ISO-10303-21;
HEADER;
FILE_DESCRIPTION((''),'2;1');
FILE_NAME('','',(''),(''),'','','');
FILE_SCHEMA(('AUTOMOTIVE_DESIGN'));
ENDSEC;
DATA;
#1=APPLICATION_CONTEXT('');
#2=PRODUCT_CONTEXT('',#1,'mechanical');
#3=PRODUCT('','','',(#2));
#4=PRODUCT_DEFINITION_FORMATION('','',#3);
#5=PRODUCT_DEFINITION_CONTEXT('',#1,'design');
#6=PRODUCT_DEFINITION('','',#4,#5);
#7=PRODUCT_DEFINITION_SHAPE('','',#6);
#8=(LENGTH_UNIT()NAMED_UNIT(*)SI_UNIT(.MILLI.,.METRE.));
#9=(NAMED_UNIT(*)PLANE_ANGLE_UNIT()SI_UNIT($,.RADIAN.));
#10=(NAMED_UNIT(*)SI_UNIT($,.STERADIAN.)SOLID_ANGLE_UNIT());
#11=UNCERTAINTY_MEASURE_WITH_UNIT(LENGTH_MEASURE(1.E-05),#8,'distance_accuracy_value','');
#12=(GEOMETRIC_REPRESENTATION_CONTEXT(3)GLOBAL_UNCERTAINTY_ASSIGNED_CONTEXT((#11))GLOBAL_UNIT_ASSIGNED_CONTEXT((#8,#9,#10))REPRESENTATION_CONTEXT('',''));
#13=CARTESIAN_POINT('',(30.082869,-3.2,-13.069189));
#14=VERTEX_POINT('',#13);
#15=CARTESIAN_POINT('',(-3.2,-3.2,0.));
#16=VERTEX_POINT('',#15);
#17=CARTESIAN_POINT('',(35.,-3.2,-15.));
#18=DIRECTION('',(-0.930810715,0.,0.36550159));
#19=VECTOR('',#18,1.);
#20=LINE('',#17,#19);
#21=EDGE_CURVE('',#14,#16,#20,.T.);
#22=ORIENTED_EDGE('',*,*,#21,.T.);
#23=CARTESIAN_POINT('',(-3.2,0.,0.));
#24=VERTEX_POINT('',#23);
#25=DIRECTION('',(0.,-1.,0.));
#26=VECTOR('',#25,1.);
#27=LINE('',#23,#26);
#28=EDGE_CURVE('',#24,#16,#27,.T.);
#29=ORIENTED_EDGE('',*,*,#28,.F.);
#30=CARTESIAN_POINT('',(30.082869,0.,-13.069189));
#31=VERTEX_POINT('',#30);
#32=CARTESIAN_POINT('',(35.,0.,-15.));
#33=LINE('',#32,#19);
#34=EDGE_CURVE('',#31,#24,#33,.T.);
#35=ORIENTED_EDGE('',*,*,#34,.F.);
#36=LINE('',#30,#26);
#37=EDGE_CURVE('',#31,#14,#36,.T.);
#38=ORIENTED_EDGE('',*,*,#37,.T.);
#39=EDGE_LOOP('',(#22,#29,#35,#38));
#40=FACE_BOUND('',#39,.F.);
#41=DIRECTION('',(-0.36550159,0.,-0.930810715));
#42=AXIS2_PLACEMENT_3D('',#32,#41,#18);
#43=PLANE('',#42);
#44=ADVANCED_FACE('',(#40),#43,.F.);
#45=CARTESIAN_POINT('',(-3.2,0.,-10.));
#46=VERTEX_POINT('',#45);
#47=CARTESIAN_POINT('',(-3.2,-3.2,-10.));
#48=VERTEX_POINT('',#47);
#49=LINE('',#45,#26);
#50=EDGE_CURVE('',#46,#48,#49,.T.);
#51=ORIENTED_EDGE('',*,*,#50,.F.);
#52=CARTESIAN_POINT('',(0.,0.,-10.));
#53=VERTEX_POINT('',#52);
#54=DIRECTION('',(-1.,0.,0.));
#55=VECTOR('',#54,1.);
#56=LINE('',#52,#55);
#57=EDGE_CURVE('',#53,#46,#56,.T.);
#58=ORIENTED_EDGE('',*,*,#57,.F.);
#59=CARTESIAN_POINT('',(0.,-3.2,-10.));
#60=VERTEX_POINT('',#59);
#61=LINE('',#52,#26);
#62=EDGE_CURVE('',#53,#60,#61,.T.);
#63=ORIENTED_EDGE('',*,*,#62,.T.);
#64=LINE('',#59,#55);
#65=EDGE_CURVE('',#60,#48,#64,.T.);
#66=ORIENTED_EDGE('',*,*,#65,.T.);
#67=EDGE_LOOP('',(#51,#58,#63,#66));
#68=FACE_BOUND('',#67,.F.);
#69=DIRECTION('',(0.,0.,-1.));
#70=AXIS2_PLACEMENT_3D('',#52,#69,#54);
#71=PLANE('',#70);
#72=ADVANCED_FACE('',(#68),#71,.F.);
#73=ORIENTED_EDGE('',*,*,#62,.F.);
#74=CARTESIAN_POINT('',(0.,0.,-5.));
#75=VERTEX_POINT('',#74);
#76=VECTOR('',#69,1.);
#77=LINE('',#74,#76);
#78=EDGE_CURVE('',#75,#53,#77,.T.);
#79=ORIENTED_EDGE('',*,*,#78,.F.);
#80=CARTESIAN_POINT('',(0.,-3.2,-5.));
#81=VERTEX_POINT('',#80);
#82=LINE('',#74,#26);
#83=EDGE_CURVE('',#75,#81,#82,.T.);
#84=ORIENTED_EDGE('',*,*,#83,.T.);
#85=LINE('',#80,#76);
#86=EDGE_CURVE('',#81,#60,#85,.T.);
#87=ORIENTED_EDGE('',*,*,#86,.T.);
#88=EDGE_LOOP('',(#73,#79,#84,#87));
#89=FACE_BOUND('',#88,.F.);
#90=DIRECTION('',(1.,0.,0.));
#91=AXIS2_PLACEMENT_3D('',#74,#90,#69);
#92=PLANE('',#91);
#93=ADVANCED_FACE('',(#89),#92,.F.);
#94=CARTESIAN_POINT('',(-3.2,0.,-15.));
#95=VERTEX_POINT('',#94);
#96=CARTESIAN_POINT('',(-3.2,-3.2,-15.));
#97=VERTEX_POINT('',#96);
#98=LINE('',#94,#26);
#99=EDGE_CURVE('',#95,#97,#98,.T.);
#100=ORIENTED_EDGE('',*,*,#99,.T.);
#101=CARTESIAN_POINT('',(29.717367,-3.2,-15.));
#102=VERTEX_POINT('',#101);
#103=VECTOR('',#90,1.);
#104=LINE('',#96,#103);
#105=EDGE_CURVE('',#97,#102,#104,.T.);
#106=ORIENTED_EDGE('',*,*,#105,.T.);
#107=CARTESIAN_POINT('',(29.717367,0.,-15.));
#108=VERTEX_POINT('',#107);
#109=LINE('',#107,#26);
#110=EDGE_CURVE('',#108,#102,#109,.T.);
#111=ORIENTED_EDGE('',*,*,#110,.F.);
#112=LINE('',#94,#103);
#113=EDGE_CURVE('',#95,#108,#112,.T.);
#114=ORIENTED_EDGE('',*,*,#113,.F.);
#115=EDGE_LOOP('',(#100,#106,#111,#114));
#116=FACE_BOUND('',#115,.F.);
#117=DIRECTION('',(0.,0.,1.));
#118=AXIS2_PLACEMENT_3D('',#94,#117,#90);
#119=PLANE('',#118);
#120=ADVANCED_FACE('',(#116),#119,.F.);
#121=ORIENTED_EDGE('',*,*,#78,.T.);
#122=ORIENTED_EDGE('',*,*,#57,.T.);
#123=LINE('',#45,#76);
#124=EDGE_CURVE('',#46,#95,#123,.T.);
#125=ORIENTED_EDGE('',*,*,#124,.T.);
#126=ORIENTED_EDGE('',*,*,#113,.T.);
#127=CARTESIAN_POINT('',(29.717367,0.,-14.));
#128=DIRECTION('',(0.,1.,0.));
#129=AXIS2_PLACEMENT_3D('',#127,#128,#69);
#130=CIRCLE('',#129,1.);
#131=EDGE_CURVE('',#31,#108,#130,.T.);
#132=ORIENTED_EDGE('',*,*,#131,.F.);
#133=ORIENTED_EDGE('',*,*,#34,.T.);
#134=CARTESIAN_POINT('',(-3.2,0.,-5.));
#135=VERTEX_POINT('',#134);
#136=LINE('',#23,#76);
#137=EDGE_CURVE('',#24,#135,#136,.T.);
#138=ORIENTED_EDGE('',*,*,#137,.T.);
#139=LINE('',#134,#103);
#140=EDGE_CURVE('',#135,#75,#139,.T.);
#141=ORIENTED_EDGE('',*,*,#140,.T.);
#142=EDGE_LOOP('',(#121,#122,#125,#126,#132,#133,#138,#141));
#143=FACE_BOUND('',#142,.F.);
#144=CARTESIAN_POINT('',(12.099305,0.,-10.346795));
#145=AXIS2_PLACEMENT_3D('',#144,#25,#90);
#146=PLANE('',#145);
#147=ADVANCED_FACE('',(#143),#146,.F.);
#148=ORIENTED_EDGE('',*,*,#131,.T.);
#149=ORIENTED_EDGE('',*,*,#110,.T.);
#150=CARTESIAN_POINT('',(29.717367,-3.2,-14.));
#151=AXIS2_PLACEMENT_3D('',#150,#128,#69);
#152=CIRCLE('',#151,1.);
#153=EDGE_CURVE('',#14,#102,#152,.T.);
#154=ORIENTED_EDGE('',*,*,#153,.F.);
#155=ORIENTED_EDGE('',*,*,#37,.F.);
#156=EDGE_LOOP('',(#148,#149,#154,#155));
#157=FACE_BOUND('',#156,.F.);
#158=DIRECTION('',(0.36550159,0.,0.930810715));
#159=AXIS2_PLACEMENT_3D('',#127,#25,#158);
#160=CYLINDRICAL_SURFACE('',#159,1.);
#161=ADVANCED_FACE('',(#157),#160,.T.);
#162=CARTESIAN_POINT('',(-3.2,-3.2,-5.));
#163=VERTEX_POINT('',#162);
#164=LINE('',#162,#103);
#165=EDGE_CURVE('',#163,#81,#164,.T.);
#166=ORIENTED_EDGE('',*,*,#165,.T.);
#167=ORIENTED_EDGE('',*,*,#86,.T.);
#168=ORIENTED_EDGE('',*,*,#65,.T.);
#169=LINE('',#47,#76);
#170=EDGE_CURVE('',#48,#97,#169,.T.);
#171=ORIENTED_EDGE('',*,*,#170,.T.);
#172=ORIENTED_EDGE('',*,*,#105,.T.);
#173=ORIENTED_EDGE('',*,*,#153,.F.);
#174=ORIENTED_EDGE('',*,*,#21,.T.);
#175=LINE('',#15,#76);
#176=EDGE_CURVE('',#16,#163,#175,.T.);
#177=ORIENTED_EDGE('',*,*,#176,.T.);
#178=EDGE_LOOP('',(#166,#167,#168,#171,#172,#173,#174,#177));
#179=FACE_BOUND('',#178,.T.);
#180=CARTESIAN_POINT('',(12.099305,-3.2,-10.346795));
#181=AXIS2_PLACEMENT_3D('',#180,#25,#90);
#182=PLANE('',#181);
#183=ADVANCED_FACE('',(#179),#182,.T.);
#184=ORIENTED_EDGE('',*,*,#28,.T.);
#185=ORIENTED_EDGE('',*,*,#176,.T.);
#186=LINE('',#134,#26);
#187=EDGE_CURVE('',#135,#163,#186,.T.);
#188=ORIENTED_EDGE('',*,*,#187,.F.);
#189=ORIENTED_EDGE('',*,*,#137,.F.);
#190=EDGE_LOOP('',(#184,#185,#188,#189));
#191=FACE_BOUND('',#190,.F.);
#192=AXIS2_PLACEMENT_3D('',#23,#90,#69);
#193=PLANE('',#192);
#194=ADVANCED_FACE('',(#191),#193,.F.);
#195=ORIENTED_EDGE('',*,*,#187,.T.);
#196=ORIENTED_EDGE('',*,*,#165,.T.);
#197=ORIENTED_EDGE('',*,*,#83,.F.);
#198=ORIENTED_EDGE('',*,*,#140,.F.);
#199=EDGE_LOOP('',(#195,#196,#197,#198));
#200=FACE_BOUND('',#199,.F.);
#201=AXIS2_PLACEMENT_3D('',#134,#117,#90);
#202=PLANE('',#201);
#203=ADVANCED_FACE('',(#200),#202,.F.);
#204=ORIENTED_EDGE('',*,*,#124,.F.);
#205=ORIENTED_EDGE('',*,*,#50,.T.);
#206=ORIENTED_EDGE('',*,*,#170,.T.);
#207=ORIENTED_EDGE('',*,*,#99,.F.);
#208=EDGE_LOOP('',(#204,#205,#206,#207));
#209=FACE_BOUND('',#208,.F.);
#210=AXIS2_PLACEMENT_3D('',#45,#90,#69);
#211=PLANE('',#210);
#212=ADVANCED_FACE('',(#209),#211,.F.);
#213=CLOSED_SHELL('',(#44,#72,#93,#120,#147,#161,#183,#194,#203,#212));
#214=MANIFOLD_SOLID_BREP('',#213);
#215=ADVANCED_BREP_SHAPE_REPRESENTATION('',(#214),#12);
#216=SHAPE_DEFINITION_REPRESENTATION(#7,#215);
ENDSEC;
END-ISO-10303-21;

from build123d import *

# Parameters (mm, degrees)
F1_DEPTH = 3.2
F2_R     = 1


with BuildPart() as f1:
    # F0 (on Front) → F1 (new body)
    with BuildSketch(Plane.XZ):
        Polygon((35, -15), (-3.2, 0), (-3.2, -5), (0, -5), (0, -10), (-3.2, -10), (-3.2, -15), (0, -15), align=None)
    extrude(amount=F1_DEPTH)

    # F2
    f2_edges = [f1.edges().sort_by_distance(p)[0] for p in [
        (35, -1.6, -15),
    ]]
    fillet(f2_edges, radius=F2_R)


solid = f1.part
